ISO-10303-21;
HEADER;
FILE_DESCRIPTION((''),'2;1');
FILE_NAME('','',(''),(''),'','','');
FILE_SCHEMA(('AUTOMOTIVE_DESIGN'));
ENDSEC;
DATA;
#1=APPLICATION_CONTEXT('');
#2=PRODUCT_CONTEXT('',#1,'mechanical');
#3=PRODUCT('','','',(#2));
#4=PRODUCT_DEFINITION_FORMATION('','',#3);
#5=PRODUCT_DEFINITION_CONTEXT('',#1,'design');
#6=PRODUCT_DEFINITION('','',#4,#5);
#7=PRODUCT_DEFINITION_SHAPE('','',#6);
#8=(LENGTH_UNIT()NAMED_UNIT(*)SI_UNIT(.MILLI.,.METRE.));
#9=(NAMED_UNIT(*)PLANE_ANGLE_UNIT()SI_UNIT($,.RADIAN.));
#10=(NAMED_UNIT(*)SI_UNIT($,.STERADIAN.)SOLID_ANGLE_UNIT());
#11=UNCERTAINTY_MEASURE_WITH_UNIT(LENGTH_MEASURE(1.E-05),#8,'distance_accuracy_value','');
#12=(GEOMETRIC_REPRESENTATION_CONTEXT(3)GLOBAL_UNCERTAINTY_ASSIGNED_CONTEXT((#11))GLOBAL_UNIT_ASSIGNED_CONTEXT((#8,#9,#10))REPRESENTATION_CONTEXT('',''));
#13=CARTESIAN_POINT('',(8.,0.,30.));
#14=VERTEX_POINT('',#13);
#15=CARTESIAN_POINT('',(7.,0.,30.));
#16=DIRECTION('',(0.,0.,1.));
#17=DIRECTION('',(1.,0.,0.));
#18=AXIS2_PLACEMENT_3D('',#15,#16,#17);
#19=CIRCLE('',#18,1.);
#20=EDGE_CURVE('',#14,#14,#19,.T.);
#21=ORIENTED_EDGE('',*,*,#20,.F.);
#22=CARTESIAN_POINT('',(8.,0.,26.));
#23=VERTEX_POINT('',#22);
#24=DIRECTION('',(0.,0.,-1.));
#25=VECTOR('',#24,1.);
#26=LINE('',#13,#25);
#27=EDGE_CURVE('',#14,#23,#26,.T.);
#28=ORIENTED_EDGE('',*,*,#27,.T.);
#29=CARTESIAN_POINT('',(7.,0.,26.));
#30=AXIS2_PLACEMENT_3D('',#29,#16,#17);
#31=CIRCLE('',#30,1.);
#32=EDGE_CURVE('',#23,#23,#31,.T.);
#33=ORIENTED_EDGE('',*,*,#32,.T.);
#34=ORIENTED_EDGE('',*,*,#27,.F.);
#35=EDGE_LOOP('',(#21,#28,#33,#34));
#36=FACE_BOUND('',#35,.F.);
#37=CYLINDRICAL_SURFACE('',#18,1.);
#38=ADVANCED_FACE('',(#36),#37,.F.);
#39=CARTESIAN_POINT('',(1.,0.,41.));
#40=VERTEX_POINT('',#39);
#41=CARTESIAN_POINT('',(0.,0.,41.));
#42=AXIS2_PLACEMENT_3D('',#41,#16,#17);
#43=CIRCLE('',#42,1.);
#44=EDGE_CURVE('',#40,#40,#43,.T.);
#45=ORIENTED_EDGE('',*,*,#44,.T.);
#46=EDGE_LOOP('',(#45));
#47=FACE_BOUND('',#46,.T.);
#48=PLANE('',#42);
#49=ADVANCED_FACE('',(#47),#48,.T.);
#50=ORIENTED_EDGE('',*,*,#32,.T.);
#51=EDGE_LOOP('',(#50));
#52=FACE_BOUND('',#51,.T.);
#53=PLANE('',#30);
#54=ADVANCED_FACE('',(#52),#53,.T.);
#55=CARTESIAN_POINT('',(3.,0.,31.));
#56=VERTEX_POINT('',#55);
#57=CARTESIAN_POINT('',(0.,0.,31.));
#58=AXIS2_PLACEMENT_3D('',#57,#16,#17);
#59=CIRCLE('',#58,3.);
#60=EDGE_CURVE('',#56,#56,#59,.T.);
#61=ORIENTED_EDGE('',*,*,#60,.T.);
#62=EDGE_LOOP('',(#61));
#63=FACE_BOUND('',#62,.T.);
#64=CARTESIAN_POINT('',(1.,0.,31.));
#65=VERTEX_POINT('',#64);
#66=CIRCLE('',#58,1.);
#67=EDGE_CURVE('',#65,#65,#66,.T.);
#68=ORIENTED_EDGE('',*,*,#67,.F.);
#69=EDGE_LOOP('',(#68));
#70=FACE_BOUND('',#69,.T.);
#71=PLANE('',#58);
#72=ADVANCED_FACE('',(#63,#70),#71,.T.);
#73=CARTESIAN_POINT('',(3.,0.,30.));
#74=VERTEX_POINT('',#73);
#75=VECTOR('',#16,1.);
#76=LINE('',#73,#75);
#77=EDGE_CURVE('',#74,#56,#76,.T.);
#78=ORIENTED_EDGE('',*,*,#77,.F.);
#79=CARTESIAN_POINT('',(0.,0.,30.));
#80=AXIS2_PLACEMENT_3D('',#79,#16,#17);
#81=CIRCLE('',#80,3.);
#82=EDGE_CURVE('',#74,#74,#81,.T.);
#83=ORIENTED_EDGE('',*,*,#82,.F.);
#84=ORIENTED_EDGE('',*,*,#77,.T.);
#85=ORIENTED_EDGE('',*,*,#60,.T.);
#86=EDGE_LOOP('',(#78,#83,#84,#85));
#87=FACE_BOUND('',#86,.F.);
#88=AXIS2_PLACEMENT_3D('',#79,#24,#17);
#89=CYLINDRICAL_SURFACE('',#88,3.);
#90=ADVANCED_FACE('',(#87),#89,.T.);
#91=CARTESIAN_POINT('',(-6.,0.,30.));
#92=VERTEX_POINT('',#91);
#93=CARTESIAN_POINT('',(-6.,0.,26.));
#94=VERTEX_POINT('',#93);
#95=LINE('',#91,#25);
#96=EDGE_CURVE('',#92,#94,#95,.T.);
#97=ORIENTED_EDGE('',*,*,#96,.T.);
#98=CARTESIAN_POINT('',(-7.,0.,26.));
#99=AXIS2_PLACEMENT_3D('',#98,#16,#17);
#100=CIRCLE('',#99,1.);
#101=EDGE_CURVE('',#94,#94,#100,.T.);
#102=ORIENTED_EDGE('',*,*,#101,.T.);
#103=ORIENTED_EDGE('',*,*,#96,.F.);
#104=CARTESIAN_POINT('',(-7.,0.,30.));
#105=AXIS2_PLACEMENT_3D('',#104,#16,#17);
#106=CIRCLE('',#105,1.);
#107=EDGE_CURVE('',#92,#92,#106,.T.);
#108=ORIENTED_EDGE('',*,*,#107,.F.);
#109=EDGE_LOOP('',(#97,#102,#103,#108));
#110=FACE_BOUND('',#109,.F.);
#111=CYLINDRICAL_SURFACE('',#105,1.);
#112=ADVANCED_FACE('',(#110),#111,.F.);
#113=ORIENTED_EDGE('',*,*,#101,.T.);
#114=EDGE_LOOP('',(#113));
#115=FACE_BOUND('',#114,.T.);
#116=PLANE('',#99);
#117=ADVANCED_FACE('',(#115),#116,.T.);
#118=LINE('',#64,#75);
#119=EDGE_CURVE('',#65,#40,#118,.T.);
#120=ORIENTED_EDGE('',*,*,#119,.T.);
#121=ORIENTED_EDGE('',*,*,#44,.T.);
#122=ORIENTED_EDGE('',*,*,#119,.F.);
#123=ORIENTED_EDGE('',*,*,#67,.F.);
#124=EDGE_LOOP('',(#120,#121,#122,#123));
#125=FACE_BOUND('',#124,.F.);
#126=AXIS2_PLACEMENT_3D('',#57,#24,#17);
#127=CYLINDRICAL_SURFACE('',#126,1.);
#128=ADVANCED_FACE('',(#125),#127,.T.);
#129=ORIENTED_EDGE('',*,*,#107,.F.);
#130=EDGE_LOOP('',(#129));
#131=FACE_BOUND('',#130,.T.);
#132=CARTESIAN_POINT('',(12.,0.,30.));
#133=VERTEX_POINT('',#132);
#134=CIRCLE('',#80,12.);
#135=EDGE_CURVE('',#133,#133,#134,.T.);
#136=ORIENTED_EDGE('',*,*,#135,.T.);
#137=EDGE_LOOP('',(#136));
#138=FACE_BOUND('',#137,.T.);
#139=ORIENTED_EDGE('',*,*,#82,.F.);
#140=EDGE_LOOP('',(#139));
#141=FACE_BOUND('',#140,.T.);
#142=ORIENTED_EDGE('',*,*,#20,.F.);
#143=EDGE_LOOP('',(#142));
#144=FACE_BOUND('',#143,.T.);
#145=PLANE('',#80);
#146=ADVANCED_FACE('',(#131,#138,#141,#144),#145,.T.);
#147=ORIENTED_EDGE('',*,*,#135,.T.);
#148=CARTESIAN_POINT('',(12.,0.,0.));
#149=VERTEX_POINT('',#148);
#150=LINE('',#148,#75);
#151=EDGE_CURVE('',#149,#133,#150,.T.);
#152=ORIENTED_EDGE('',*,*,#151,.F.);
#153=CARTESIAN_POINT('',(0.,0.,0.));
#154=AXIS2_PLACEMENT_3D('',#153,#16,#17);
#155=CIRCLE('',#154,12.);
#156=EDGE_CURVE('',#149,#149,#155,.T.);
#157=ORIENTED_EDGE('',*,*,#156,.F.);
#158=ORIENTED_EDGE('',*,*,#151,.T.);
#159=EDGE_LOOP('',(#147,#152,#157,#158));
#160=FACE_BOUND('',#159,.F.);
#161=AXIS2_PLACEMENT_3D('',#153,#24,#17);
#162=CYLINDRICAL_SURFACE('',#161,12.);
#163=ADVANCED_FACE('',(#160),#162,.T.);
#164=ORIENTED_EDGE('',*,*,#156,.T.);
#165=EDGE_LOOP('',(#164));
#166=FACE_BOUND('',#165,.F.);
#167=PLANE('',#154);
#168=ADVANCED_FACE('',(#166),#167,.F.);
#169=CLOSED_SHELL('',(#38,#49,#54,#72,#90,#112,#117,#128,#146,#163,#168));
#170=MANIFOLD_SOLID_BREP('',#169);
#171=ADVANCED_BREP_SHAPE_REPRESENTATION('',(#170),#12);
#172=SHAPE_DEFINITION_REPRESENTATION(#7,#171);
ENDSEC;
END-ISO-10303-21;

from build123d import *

# Parameters (mm, degrees)
SKETCH_R     = 12
PAD_DEPTH    = 30
SKETCH001_R  = 3
PAD001_DEPTH = 1
SKETCH002_R  = 1
PAD002_DEPTH = 10
SKETCH003_R  = 1
POCKET_DEPTH = 4


with BuildPart() as part:
    # Sketch → Pad (new body)
    with BuildSketch(Plane.XY):
        Circle(SKETCH_R)
    extrude(amount=PAD_DEPTH)

    # Sketch001 (on Face3 of Pad) → Pad001 (join)
    with BuildSketch(Plane.XY.offset(30)):
        Circle(SKETCH001_R)
    extrude(amount=PAD001_DEPTH)

    # Sketch002 (on Face5 of Pad001) → Pad002 (join)
    with BuildSketch(Plane.XY.offset(31)):
        Circle(SKETCH002_R)
    extrude(amount=PAD002_DEPTH)

    # Sketch003 (on Face3 of Pad002) → Pocket (cut)
    with BuildSketch(Plane.XY.offset(30)):
        with Locations((-7, 0)):
            Circle(SKETCH003_R)
        with Locations((7, 0)):
            Circle(SKETCH003_R)
    extrude(amount=-POCKET_DEPTH, mode=Mode.SUBTRACT)


solid = part.part
